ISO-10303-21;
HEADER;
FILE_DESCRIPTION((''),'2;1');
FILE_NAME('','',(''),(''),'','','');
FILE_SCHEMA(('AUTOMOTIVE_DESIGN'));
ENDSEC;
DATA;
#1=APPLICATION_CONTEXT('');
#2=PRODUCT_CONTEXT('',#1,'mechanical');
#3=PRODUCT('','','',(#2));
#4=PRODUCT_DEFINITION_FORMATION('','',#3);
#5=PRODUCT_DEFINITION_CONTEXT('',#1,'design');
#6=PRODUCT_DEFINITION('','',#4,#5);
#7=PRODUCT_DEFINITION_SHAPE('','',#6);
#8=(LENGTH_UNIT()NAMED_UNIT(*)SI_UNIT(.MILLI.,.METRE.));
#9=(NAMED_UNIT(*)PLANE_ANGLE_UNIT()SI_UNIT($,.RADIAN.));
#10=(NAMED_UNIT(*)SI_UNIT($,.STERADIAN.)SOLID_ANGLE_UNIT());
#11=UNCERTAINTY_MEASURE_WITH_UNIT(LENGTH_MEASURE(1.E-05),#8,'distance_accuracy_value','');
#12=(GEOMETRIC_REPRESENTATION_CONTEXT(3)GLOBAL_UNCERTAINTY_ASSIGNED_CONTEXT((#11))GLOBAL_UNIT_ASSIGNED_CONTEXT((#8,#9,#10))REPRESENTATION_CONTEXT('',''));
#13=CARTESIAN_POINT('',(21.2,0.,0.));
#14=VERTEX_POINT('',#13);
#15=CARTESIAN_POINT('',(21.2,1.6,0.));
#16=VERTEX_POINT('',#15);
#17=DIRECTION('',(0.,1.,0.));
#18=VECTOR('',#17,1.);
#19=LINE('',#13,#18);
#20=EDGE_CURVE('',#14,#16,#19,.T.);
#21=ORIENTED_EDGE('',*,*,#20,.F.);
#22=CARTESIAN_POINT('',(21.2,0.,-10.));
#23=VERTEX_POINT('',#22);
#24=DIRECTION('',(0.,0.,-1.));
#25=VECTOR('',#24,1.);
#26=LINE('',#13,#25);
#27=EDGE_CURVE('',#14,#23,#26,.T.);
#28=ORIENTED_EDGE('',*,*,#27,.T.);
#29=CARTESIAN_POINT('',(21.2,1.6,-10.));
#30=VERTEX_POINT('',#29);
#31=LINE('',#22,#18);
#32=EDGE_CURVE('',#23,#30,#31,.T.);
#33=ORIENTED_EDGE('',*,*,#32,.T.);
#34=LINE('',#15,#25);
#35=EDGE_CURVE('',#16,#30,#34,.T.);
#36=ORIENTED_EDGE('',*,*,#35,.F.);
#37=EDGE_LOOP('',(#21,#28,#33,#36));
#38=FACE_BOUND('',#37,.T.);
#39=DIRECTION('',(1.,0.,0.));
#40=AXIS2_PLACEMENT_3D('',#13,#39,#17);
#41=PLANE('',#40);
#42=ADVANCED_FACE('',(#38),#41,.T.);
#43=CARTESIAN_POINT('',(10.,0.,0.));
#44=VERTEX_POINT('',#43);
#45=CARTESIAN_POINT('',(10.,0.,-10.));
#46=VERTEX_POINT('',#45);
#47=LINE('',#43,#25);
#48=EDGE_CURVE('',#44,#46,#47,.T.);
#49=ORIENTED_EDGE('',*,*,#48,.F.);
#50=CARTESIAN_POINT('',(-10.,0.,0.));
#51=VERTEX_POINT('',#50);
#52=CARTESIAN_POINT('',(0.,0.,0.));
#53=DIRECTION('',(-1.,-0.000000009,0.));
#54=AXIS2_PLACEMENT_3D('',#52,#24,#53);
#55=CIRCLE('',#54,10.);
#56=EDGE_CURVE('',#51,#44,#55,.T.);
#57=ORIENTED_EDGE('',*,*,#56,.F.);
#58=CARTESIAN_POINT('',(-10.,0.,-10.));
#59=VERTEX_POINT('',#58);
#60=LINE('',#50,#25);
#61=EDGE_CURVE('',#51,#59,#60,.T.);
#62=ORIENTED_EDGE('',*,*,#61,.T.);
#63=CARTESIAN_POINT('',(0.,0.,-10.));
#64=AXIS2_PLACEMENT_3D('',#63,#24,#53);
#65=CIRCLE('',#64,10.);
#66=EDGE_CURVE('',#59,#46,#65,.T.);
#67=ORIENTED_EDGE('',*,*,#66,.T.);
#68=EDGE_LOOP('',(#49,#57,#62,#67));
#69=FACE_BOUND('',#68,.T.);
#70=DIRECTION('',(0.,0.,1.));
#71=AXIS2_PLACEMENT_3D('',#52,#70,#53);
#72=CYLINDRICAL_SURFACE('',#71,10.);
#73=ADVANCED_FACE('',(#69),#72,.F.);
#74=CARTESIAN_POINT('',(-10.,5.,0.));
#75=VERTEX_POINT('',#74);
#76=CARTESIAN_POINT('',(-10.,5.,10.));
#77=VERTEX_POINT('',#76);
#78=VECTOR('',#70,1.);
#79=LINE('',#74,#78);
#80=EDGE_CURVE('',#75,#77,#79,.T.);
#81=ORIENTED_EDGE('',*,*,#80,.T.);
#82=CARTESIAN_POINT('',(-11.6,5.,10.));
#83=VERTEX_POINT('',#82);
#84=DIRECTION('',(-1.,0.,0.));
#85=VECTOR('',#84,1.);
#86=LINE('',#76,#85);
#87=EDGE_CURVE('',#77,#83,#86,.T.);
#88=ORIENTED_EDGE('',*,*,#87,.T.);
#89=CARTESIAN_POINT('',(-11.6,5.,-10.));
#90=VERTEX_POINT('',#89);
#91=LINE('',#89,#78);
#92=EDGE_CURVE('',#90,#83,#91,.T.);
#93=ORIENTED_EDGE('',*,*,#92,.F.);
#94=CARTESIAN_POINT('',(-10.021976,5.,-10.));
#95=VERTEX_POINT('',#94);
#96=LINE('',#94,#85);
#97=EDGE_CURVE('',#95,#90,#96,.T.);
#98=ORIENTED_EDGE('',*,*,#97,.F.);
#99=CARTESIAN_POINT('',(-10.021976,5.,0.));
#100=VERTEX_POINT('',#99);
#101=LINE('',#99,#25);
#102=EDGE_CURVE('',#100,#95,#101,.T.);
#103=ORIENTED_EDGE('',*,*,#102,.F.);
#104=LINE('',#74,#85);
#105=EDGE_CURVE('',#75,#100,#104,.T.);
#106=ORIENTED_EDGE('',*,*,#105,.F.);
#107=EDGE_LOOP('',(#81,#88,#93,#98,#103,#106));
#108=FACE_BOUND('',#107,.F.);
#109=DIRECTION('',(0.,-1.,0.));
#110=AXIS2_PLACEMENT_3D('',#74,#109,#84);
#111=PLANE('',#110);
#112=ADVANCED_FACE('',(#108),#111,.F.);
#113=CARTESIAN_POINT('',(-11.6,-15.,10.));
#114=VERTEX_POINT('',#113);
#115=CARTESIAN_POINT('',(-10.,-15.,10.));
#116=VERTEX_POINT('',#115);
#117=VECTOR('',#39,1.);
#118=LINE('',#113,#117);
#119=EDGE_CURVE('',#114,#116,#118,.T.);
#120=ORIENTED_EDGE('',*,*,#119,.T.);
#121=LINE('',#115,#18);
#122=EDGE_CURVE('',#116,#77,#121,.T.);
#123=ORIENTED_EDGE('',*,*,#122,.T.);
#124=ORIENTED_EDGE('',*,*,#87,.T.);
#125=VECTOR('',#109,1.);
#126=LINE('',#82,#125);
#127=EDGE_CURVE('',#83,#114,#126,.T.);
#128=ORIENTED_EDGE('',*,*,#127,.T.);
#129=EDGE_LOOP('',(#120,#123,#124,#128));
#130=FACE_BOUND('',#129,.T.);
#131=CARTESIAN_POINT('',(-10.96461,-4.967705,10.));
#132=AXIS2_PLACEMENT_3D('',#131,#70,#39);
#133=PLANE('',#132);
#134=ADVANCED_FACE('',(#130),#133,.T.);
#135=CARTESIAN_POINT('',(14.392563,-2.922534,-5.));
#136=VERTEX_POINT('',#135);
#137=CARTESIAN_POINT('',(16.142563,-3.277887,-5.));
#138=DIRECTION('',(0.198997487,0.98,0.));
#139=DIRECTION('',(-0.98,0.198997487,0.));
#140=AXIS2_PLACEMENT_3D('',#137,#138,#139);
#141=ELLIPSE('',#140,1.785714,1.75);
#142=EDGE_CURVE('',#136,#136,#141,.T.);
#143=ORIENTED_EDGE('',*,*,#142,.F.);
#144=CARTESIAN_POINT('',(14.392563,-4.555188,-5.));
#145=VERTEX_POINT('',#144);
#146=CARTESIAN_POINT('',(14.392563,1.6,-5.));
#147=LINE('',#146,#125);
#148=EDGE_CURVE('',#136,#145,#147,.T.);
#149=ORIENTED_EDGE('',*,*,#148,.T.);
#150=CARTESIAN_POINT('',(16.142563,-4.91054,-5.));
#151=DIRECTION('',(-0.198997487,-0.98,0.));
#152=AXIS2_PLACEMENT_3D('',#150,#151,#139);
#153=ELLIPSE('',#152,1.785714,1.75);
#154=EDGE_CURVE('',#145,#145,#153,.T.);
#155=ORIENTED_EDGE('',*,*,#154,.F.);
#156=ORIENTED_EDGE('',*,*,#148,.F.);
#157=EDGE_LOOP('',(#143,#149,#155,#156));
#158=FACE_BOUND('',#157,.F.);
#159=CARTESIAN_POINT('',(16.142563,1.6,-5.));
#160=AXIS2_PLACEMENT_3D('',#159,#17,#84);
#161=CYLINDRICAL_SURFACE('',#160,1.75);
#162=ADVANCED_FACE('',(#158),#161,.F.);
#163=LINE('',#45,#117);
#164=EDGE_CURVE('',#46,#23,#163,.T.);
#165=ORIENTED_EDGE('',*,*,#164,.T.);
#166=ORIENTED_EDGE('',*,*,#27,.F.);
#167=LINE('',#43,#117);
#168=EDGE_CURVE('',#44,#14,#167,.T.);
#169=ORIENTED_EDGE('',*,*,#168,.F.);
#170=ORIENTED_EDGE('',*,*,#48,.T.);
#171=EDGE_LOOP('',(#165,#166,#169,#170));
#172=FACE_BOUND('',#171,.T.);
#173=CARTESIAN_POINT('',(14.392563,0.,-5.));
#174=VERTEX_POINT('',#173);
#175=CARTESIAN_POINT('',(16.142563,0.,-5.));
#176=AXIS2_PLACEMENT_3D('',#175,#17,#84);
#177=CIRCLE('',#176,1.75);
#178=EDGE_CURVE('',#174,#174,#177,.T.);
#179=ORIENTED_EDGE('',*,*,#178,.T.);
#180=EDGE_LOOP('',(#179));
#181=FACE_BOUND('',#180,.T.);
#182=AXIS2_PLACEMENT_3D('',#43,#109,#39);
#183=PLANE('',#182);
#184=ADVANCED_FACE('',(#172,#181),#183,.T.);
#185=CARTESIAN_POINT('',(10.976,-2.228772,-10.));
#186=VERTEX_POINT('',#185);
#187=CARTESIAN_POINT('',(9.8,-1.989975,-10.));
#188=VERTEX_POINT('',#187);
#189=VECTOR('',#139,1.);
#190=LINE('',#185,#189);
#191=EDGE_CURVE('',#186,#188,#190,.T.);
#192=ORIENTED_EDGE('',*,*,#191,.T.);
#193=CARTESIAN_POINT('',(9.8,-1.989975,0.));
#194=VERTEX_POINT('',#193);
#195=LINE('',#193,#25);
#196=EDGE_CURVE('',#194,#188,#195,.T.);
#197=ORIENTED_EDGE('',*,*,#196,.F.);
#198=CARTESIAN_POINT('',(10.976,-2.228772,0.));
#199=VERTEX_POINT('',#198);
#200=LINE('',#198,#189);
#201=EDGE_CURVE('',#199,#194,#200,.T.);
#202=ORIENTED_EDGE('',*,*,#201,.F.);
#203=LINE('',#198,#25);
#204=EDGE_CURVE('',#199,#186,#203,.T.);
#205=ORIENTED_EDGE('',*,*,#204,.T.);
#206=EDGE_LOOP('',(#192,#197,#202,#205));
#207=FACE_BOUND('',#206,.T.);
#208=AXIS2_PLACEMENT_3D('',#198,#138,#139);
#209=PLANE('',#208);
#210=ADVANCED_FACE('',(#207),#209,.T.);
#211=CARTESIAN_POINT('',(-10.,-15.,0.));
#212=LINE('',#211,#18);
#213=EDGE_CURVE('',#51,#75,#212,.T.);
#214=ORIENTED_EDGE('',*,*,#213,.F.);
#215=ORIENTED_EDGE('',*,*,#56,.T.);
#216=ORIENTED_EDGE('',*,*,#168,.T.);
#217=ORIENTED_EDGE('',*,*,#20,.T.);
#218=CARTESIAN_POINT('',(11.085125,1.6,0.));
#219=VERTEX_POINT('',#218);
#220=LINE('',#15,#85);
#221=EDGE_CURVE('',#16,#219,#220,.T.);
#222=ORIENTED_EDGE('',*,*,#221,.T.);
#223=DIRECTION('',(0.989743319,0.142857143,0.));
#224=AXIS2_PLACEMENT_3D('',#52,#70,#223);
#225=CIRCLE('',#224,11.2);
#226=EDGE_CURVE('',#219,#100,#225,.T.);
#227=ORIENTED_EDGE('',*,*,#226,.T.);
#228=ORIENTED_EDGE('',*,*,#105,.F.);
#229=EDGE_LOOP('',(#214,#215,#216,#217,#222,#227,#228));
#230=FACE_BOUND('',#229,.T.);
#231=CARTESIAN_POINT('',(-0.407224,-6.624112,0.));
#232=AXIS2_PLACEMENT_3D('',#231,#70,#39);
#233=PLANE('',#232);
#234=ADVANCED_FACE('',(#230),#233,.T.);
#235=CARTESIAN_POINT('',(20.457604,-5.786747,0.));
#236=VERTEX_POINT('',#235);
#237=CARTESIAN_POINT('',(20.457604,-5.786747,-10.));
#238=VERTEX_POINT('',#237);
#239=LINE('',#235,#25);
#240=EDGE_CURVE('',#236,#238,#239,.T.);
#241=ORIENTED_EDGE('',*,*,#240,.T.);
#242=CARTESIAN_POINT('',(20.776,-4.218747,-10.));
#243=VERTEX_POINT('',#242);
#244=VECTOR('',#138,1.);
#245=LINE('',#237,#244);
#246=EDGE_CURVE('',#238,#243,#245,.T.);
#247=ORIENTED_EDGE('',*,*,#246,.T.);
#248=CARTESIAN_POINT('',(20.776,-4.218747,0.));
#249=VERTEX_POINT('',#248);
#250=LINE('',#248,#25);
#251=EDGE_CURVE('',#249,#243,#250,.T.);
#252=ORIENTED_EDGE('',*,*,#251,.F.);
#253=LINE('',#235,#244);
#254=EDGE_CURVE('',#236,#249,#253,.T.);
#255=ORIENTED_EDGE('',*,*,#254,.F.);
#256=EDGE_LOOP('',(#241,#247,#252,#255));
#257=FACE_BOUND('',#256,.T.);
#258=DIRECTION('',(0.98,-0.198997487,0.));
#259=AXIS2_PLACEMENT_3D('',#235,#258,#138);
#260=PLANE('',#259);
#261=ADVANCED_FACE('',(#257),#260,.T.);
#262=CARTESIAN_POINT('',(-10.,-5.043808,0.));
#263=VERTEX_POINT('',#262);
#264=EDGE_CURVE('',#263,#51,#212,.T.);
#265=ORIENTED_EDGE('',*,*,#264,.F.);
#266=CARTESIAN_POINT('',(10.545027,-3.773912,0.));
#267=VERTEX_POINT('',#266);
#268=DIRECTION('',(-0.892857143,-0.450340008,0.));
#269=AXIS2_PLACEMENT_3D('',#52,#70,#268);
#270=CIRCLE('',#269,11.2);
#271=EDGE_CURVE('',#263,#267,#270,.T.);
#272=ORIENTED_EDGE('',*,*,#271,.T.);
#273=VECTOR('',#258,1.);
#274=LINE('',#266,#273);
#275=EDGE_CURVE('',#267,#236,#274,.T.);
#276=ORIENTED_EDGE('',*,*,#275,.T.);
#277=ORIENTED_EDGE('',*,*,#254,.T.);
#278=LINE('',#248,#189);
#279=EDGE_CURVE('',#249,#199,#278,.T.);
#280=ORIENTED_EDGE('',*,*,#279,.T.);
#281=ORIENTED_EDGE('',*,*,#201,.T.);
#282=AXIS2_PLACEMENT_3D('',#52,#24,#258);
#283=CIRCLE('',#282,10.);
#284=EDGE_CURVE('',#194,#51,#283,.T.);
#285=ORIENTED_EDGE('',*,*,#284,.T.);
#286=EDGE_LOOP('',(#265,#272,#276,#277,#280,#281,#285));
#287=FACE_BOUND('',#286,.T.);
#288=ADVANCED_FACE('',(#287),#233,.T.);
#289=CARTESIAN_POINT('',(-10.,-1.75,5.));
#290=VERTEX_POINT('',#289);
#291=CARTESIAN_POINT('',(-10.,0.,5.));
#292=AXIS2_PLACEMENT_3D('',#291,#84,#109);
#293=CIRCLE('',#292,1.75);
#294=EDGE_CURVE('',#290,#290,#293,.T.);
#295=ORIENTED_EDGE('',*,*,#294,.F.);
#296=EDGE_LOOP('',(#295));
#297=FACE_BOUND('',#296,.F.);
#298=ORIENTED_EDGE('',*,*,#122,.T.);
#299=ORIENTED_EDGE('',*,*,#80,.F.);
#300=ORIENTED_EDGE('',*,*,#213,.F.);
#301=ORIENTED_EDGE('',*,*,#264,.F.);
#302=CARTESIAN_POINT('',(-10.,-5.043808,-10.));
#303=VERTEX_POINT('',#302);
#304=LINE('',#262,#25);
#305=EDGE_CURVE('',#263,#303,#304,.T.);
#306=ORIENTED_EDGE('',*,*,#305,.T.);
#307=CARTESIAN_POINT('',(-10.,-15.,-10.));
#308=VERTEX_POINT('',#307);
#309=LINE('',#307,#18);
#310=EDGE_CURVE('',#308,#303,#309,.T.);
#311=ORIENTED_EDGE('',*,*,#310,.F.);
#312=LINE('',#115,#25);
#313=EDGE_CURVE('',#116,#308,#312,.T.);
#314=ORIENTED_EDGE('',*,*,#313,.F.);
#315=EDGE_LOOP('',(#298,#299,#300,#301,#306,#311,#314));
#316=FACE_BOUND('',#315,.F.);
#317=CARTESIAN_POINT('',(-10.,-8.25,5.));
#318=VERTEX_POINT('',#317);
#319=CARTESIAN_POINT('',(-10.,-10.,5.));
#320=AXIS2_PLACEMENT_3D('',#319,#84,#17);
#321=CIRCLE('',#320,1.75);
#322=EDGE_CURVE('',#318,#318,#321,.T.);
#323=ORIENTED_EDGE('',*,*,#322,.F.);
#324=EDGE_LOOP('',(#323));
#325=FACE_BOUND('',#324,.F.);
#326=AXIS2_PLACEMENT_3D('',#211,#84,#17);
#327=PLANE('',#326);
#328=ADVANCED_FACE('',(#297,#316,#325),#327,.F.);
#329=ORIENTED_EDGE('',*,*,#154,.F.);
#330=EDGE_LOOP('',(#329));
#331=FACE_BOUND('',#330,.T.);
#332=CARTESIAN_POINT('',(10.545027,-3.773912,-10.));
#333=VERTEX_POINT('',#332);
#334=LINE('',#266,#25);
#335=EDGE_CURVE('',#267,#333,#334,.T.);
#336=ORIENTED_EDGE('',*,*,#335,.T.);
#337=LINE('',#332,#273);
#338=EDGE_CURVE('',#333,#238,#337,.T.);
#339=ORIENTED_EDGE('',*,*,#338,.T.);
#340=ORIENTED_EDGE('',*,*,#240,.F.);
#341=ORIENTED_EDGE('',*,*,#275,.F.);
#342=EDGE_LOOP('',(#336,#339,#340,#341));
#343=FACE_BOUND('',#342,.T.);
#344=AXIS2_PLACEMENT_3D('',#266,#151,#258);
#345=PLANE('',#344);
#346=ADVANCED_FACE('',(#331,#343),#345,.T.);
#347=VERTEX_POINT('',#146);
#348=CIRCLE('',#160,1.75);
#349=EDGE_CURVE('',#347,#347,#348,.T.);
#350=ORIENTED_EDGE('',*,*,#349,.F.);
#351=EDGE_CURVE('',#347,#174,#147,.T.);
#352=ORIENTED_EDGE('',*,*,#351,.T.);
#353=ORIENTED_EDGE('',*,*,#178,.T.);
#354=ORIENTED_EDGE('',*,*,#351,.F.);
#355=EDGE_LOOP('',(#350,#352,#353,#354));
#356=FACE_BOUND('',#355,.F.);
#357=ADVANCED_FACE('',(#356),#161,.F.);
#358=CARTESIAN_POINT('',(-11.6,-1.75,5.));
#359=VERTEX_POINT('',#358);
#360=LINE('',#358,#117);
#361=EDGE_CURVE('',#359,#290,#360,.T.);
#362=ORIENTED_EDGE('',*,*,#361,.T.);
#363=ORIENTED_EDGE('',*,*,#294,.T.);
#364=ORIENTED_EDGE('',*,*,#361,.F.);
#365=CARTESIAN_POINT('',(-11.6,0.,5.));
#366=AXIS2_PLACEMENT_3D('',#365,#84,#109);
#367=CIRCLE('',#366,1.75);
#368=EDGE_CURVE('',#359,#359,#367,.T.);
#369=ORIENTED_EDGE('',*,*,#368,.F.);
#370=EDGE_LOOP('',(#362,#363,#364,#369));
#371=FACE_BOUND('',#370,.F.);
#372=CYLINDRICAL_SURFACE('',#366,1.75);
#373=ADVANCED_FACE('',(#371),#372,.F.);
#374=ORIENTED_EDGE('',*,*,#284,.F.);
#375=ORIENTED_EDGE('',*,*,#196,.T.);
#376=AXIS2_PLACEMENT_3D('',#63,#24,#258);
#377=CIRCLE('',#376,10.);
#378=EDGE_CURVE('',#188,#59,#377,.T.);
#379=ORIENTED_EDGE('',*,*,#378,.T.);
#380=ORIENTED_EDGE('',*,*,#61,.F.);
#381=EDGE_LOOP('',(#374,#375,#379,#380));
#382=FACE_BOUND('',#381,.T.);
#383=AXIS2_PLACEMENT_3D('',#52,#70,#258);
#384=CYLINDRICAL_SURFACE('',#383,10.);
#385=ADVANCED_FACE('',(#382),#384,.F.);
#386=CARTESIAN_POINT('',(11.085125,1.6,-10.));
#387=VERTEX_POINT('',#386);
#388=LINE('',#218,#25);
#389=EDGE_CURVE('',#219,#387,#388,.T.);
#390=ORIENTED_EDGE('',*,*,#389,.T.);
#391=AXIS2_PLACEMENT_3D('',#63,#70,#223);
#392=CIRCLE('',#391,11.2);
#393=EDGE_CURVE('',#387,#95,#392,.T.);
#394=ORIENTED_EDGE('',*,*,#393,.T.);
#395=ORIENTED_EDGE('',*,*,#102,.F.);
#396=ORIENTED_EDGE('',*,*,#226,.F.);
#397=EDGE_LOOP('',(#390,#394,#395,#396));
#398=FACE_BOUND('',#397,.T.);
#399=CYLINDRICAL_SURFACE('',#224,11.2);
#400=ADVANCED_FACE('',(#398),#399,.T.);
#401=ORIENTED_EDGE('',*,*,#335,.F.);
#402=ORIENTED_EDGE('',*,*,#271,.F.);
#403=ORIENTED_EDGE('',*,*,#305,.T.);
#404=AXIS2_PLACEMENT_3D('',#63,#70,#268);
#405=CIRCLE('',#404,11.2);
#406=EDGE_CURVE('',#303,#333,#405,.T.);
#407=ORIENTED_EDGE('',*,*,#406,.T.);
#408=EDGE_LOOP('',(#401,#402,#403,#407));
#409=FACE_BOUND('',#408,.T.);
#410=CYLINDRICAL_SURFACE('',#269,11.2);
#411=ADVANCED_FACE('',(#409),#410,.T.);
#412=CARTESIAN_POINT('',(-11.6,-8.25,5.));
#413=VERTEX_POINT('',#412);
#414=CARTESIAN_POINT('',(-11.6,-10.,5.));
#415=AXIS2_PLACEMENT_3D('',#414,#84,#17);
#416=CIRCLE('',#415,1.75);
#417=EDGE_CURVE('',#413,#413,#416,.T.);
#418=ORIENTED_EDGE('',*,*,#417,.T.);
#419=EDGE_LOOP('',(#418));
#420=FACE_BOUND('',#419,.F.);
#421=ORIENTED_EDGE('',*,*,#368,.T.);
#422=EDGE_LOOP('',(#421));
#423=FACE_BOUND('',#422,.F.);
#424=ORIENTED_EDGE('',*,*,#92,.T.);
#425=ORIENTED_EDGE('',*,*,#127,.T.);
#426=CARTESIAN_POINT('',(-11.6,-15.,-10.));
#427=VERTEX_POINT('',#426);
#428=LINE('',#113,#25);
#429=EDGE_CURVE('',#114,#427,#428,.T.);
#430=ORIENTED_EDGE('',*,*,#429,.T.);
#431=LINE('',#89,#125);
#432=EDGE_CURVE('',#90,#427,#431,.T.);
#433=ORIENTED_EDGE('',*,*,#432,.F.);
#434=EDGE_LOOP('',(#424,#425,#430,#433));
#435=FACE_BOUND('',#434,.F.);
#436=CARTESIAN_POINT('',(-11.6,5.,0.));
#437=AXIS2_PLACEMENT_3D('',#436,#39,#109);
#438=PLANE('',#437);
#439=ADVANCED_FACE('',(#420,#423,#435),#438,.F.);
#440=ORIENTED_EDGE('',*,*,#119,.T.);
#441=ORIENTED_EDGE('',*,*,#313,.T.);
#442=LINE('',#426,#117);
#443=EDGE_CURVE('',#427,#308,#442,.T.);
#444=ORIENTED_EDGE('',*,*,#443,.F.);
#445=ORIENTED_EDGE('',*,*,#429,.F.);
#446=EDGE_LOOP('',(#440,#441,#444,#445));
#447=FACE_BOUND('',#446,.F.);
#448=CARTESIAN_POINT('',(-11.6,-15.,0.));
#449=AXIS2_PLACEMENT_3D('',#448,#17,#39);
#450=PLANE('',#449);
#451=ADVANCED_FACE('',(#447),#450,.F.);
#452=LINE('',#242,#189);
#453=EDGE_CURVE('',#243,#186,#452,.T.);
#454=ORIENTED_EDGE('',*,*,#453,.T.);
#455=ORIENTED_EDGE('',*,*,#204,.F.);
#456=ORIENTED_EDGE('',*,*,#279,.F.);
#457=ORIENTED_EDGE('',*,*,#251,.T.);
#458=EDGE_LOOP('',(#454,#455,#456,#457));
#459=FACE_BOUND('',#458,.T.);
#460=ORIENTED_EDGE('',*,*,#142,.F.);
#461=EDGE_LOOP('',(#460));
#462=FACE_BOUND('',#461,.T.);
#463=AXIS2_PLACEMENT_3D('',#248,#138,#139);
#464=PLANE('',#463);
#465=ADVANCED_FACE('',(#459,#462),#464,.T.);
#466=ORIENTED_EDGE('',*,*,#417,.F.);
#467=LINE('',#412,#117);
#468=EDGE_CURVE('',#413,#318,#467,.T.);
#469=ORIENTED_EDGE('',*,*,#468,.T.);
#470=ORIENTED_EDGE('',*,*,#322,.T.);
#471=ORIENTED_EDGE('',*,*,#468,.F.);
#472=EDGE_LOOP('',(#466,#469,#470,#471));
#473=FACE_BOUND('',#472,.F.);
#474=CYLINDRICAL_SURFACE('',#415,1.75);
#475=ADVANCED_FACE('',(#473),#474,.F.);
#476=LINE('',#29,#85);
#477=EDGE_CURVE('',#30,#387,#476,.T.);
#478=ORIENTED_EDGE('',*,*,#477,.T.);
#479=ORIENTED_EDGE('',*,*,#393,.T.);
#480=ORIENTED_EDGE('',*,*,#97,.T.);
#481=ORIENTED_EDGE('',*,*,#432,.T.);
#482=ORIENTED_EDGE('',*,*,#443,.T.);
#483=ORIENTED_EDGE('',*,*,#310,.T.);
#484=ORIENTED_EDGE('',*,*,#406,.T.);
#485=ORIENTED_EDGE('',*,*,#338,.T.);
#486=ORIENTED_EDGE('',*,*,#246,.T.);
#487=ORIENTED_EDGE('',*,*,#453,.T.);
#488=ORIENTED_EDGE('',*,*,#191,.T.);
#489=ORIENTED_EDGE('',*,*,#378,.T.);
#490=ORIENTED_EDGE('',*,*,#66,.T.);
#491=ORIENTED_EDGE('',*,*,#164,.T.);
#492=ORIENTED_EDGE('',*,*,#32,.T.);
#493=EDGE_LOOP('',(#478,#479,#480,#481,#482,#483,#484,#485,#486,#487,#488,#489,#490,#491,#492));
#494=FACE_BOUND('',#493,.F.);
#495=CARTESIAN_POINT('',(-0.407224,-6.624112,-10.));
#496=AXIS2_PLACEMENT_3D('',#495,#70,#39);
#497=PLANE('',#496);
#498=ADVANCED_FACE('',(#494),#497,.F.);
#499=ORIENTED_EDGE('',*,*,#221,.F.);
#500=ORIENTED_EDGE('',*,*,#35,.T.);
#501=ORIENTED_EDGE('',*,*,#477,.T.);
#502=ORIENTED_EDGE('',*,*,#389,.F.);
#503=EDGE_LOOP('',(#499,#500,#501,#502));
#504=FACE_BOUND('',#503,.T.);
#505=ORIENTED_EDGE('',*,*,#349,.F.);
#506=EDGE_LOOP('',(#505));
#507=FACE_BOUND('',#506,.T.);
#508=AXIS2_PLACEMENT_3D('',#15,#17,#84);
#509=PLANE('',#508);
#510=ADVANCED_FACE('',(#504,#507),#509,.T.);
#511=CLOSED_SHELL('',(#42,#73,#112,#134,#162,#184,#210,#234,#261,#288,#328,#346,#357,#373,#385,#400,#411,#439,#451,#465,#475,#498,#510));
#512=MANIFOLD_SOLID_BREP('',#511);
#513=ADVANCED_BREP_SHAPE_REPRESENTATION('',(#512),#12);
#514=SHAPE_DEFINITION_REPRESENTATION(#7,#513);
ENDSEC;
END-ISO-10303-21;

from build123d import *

# Parameters (mm, degrees)
F1_DEPTH = 10
F2_DEPTH = 10
F3_R     = 1.75
F4_DEPTH = 25
F5_R     = 1.75
F6_DEPTH = 25


with BuildPart() as f1:
    # F0 (on Top) → F1 (new body)
    with BuildSketch(Plane.XY):
        with BuildLine():
            Line((10.976, -2.2287718591), (9.8, -1.9899748742))
            ThreePointArc((9.8, -1.9899748742), (-0.999999957, -9.9498743754), (-10, -8.64e-08))
            Line((-10, -8.64e-08), (-10, -5.0438080852))
            ThreePointArc((-10, -5.0438080852), (0.6909576709, -11.178666177), (10.5450266852, -3.7739120563))
            ThreePointArc((10.5450266852, -3.7739120563), (10.7882117125, -3.0090676374), (10.976, -2.2287718591))
        make_face()
        with BuildLine():
            Line((-10, 5), (-10, -8.64e-08))
            ThreePointArc((-10, -8.64e-08), (-4.32e-08, 10), (10, 0))
            Line((10, 0), (11.2, 0))
            ThreePointArc((11.2, 0), (11.1712443776, 0.8020592601), (11.0851251684, 1.6))
            ThreePointArc((11.0851251684, 1.6), (1.781171417, 11.0574603044), (-10.0219758531, 5))
            Line((-10.0219758531, 5), (-10, 5))
        make_face()
        with BuildLine():
            Line((-10, -5.0438080852), (-10, -8.64e-08))
            Line((-10, -8.64e-08), (-10, 5))
            Line((-10, 5), (-10.0219758531, 5))
            ThreePointArc((-10.0219758531, 5), (-11.199973191, -0.0245055425), (-10, -5.0438080852))
        make_face()
        with BuildLine():
            Line((20.776, -4.2187467333), (10.976, -2.2287718591))
            ThreePointArc((10.976, -2.2287718591), (10.7882117125, -3.0090676374), (10.5450266852, -3.7739120563))
            Line((10.5450266852, -3.7739120563), (20.4576040201, -5.7867467333))
            Line((20.4576040201, -5.7867467333), (20.776, -4.2187467333))
        make_face()
        with BuildLine():
            Line((-10, -15), (-10, -5.0438080852))
            ThreePointArc((-10, -5.0438080852), (-11.199973191, -0.0245055425), (-10.0219758531, 5))
            Line((-10.0219758531, 5), (-11.6, 5))
            Line((-11.6, 5), (-11.6, -15))
            Line((-11.6, -15), (-10, -15))
        make_face()
        with BuildLine():
            ThreePointArc((11.0851251684, 1.6), (11.1712443776, 0.8020592601), (11.2, 0))
            Line((11.2, 0), (21.2, 0))
            Line((21.2, 0), (21.2, 1.6))
            Line((21.2, 1.6), (11.0851251684, 1.6))
        make_face()
    extrude(amount=-F1_DEPTH)

    # F0 (on Top) → F2 (join)
    with BuildSketch(Plane.XY):
        with BuildLine():
            Line((-10, -15), (-10, -5.0438080852))
            ThreePointArc((-10, -5.0438080852), (-11.199973191, -0.0245055425), (-10.0219758531, 5))
            Line((-10.0219758531, 5), (-11.6, 5))
            Line((-11.6, 5), (-11.6, -15))
            Line((-11.6, -15), (-10, -15))
        make_face()
        with BuildLine():
            Line((-10, -5.0438080852), (-10, -8.64e-08))
            Line((-10, -8.64e-08), (-10, 5))
            Line((-10, 5), (-10.0219758531, 5))
            ThreePointArc((-10.0219758531, 5), (-11.199973191, -0.0245055425), (-10, -5.0438080852))
        make_face()
    extrude(amount=F2_DEPTH)

    # F3 (on face) → F4 (cut)
    with BuildSketch(Plane(origin=(-11.6, 0, 0), x_dir=(0, -1, 0), z_dir=(-1, 0, 0))):
        with Locations((0, 5)):
            Circle(F3_R)
        with BuildLine():
            ThreePointArc((11.75, 5), (10, 6.75), (8.25, 5))
            ThreePointArc((8.25, 5), (10, 3.25), (11.75, 5))
        make_face()
    extrude(amount=-F4_DEPTH, mode=Mode.SUBTRACT)

    # F5 (on face) → F6 (cut)
    with BuildSketch(Plane(origin=(0, 1.6, 0), x_dir=(-1, 0, 0), z_dir=(0, 1, 0))):
        with Locations((-16.1425625842, -5)):
            Circle(F5_R)
    extrude(amount=-F6_DEPTH, mode=Mode.SUBTRACT)


solid = f1.part
